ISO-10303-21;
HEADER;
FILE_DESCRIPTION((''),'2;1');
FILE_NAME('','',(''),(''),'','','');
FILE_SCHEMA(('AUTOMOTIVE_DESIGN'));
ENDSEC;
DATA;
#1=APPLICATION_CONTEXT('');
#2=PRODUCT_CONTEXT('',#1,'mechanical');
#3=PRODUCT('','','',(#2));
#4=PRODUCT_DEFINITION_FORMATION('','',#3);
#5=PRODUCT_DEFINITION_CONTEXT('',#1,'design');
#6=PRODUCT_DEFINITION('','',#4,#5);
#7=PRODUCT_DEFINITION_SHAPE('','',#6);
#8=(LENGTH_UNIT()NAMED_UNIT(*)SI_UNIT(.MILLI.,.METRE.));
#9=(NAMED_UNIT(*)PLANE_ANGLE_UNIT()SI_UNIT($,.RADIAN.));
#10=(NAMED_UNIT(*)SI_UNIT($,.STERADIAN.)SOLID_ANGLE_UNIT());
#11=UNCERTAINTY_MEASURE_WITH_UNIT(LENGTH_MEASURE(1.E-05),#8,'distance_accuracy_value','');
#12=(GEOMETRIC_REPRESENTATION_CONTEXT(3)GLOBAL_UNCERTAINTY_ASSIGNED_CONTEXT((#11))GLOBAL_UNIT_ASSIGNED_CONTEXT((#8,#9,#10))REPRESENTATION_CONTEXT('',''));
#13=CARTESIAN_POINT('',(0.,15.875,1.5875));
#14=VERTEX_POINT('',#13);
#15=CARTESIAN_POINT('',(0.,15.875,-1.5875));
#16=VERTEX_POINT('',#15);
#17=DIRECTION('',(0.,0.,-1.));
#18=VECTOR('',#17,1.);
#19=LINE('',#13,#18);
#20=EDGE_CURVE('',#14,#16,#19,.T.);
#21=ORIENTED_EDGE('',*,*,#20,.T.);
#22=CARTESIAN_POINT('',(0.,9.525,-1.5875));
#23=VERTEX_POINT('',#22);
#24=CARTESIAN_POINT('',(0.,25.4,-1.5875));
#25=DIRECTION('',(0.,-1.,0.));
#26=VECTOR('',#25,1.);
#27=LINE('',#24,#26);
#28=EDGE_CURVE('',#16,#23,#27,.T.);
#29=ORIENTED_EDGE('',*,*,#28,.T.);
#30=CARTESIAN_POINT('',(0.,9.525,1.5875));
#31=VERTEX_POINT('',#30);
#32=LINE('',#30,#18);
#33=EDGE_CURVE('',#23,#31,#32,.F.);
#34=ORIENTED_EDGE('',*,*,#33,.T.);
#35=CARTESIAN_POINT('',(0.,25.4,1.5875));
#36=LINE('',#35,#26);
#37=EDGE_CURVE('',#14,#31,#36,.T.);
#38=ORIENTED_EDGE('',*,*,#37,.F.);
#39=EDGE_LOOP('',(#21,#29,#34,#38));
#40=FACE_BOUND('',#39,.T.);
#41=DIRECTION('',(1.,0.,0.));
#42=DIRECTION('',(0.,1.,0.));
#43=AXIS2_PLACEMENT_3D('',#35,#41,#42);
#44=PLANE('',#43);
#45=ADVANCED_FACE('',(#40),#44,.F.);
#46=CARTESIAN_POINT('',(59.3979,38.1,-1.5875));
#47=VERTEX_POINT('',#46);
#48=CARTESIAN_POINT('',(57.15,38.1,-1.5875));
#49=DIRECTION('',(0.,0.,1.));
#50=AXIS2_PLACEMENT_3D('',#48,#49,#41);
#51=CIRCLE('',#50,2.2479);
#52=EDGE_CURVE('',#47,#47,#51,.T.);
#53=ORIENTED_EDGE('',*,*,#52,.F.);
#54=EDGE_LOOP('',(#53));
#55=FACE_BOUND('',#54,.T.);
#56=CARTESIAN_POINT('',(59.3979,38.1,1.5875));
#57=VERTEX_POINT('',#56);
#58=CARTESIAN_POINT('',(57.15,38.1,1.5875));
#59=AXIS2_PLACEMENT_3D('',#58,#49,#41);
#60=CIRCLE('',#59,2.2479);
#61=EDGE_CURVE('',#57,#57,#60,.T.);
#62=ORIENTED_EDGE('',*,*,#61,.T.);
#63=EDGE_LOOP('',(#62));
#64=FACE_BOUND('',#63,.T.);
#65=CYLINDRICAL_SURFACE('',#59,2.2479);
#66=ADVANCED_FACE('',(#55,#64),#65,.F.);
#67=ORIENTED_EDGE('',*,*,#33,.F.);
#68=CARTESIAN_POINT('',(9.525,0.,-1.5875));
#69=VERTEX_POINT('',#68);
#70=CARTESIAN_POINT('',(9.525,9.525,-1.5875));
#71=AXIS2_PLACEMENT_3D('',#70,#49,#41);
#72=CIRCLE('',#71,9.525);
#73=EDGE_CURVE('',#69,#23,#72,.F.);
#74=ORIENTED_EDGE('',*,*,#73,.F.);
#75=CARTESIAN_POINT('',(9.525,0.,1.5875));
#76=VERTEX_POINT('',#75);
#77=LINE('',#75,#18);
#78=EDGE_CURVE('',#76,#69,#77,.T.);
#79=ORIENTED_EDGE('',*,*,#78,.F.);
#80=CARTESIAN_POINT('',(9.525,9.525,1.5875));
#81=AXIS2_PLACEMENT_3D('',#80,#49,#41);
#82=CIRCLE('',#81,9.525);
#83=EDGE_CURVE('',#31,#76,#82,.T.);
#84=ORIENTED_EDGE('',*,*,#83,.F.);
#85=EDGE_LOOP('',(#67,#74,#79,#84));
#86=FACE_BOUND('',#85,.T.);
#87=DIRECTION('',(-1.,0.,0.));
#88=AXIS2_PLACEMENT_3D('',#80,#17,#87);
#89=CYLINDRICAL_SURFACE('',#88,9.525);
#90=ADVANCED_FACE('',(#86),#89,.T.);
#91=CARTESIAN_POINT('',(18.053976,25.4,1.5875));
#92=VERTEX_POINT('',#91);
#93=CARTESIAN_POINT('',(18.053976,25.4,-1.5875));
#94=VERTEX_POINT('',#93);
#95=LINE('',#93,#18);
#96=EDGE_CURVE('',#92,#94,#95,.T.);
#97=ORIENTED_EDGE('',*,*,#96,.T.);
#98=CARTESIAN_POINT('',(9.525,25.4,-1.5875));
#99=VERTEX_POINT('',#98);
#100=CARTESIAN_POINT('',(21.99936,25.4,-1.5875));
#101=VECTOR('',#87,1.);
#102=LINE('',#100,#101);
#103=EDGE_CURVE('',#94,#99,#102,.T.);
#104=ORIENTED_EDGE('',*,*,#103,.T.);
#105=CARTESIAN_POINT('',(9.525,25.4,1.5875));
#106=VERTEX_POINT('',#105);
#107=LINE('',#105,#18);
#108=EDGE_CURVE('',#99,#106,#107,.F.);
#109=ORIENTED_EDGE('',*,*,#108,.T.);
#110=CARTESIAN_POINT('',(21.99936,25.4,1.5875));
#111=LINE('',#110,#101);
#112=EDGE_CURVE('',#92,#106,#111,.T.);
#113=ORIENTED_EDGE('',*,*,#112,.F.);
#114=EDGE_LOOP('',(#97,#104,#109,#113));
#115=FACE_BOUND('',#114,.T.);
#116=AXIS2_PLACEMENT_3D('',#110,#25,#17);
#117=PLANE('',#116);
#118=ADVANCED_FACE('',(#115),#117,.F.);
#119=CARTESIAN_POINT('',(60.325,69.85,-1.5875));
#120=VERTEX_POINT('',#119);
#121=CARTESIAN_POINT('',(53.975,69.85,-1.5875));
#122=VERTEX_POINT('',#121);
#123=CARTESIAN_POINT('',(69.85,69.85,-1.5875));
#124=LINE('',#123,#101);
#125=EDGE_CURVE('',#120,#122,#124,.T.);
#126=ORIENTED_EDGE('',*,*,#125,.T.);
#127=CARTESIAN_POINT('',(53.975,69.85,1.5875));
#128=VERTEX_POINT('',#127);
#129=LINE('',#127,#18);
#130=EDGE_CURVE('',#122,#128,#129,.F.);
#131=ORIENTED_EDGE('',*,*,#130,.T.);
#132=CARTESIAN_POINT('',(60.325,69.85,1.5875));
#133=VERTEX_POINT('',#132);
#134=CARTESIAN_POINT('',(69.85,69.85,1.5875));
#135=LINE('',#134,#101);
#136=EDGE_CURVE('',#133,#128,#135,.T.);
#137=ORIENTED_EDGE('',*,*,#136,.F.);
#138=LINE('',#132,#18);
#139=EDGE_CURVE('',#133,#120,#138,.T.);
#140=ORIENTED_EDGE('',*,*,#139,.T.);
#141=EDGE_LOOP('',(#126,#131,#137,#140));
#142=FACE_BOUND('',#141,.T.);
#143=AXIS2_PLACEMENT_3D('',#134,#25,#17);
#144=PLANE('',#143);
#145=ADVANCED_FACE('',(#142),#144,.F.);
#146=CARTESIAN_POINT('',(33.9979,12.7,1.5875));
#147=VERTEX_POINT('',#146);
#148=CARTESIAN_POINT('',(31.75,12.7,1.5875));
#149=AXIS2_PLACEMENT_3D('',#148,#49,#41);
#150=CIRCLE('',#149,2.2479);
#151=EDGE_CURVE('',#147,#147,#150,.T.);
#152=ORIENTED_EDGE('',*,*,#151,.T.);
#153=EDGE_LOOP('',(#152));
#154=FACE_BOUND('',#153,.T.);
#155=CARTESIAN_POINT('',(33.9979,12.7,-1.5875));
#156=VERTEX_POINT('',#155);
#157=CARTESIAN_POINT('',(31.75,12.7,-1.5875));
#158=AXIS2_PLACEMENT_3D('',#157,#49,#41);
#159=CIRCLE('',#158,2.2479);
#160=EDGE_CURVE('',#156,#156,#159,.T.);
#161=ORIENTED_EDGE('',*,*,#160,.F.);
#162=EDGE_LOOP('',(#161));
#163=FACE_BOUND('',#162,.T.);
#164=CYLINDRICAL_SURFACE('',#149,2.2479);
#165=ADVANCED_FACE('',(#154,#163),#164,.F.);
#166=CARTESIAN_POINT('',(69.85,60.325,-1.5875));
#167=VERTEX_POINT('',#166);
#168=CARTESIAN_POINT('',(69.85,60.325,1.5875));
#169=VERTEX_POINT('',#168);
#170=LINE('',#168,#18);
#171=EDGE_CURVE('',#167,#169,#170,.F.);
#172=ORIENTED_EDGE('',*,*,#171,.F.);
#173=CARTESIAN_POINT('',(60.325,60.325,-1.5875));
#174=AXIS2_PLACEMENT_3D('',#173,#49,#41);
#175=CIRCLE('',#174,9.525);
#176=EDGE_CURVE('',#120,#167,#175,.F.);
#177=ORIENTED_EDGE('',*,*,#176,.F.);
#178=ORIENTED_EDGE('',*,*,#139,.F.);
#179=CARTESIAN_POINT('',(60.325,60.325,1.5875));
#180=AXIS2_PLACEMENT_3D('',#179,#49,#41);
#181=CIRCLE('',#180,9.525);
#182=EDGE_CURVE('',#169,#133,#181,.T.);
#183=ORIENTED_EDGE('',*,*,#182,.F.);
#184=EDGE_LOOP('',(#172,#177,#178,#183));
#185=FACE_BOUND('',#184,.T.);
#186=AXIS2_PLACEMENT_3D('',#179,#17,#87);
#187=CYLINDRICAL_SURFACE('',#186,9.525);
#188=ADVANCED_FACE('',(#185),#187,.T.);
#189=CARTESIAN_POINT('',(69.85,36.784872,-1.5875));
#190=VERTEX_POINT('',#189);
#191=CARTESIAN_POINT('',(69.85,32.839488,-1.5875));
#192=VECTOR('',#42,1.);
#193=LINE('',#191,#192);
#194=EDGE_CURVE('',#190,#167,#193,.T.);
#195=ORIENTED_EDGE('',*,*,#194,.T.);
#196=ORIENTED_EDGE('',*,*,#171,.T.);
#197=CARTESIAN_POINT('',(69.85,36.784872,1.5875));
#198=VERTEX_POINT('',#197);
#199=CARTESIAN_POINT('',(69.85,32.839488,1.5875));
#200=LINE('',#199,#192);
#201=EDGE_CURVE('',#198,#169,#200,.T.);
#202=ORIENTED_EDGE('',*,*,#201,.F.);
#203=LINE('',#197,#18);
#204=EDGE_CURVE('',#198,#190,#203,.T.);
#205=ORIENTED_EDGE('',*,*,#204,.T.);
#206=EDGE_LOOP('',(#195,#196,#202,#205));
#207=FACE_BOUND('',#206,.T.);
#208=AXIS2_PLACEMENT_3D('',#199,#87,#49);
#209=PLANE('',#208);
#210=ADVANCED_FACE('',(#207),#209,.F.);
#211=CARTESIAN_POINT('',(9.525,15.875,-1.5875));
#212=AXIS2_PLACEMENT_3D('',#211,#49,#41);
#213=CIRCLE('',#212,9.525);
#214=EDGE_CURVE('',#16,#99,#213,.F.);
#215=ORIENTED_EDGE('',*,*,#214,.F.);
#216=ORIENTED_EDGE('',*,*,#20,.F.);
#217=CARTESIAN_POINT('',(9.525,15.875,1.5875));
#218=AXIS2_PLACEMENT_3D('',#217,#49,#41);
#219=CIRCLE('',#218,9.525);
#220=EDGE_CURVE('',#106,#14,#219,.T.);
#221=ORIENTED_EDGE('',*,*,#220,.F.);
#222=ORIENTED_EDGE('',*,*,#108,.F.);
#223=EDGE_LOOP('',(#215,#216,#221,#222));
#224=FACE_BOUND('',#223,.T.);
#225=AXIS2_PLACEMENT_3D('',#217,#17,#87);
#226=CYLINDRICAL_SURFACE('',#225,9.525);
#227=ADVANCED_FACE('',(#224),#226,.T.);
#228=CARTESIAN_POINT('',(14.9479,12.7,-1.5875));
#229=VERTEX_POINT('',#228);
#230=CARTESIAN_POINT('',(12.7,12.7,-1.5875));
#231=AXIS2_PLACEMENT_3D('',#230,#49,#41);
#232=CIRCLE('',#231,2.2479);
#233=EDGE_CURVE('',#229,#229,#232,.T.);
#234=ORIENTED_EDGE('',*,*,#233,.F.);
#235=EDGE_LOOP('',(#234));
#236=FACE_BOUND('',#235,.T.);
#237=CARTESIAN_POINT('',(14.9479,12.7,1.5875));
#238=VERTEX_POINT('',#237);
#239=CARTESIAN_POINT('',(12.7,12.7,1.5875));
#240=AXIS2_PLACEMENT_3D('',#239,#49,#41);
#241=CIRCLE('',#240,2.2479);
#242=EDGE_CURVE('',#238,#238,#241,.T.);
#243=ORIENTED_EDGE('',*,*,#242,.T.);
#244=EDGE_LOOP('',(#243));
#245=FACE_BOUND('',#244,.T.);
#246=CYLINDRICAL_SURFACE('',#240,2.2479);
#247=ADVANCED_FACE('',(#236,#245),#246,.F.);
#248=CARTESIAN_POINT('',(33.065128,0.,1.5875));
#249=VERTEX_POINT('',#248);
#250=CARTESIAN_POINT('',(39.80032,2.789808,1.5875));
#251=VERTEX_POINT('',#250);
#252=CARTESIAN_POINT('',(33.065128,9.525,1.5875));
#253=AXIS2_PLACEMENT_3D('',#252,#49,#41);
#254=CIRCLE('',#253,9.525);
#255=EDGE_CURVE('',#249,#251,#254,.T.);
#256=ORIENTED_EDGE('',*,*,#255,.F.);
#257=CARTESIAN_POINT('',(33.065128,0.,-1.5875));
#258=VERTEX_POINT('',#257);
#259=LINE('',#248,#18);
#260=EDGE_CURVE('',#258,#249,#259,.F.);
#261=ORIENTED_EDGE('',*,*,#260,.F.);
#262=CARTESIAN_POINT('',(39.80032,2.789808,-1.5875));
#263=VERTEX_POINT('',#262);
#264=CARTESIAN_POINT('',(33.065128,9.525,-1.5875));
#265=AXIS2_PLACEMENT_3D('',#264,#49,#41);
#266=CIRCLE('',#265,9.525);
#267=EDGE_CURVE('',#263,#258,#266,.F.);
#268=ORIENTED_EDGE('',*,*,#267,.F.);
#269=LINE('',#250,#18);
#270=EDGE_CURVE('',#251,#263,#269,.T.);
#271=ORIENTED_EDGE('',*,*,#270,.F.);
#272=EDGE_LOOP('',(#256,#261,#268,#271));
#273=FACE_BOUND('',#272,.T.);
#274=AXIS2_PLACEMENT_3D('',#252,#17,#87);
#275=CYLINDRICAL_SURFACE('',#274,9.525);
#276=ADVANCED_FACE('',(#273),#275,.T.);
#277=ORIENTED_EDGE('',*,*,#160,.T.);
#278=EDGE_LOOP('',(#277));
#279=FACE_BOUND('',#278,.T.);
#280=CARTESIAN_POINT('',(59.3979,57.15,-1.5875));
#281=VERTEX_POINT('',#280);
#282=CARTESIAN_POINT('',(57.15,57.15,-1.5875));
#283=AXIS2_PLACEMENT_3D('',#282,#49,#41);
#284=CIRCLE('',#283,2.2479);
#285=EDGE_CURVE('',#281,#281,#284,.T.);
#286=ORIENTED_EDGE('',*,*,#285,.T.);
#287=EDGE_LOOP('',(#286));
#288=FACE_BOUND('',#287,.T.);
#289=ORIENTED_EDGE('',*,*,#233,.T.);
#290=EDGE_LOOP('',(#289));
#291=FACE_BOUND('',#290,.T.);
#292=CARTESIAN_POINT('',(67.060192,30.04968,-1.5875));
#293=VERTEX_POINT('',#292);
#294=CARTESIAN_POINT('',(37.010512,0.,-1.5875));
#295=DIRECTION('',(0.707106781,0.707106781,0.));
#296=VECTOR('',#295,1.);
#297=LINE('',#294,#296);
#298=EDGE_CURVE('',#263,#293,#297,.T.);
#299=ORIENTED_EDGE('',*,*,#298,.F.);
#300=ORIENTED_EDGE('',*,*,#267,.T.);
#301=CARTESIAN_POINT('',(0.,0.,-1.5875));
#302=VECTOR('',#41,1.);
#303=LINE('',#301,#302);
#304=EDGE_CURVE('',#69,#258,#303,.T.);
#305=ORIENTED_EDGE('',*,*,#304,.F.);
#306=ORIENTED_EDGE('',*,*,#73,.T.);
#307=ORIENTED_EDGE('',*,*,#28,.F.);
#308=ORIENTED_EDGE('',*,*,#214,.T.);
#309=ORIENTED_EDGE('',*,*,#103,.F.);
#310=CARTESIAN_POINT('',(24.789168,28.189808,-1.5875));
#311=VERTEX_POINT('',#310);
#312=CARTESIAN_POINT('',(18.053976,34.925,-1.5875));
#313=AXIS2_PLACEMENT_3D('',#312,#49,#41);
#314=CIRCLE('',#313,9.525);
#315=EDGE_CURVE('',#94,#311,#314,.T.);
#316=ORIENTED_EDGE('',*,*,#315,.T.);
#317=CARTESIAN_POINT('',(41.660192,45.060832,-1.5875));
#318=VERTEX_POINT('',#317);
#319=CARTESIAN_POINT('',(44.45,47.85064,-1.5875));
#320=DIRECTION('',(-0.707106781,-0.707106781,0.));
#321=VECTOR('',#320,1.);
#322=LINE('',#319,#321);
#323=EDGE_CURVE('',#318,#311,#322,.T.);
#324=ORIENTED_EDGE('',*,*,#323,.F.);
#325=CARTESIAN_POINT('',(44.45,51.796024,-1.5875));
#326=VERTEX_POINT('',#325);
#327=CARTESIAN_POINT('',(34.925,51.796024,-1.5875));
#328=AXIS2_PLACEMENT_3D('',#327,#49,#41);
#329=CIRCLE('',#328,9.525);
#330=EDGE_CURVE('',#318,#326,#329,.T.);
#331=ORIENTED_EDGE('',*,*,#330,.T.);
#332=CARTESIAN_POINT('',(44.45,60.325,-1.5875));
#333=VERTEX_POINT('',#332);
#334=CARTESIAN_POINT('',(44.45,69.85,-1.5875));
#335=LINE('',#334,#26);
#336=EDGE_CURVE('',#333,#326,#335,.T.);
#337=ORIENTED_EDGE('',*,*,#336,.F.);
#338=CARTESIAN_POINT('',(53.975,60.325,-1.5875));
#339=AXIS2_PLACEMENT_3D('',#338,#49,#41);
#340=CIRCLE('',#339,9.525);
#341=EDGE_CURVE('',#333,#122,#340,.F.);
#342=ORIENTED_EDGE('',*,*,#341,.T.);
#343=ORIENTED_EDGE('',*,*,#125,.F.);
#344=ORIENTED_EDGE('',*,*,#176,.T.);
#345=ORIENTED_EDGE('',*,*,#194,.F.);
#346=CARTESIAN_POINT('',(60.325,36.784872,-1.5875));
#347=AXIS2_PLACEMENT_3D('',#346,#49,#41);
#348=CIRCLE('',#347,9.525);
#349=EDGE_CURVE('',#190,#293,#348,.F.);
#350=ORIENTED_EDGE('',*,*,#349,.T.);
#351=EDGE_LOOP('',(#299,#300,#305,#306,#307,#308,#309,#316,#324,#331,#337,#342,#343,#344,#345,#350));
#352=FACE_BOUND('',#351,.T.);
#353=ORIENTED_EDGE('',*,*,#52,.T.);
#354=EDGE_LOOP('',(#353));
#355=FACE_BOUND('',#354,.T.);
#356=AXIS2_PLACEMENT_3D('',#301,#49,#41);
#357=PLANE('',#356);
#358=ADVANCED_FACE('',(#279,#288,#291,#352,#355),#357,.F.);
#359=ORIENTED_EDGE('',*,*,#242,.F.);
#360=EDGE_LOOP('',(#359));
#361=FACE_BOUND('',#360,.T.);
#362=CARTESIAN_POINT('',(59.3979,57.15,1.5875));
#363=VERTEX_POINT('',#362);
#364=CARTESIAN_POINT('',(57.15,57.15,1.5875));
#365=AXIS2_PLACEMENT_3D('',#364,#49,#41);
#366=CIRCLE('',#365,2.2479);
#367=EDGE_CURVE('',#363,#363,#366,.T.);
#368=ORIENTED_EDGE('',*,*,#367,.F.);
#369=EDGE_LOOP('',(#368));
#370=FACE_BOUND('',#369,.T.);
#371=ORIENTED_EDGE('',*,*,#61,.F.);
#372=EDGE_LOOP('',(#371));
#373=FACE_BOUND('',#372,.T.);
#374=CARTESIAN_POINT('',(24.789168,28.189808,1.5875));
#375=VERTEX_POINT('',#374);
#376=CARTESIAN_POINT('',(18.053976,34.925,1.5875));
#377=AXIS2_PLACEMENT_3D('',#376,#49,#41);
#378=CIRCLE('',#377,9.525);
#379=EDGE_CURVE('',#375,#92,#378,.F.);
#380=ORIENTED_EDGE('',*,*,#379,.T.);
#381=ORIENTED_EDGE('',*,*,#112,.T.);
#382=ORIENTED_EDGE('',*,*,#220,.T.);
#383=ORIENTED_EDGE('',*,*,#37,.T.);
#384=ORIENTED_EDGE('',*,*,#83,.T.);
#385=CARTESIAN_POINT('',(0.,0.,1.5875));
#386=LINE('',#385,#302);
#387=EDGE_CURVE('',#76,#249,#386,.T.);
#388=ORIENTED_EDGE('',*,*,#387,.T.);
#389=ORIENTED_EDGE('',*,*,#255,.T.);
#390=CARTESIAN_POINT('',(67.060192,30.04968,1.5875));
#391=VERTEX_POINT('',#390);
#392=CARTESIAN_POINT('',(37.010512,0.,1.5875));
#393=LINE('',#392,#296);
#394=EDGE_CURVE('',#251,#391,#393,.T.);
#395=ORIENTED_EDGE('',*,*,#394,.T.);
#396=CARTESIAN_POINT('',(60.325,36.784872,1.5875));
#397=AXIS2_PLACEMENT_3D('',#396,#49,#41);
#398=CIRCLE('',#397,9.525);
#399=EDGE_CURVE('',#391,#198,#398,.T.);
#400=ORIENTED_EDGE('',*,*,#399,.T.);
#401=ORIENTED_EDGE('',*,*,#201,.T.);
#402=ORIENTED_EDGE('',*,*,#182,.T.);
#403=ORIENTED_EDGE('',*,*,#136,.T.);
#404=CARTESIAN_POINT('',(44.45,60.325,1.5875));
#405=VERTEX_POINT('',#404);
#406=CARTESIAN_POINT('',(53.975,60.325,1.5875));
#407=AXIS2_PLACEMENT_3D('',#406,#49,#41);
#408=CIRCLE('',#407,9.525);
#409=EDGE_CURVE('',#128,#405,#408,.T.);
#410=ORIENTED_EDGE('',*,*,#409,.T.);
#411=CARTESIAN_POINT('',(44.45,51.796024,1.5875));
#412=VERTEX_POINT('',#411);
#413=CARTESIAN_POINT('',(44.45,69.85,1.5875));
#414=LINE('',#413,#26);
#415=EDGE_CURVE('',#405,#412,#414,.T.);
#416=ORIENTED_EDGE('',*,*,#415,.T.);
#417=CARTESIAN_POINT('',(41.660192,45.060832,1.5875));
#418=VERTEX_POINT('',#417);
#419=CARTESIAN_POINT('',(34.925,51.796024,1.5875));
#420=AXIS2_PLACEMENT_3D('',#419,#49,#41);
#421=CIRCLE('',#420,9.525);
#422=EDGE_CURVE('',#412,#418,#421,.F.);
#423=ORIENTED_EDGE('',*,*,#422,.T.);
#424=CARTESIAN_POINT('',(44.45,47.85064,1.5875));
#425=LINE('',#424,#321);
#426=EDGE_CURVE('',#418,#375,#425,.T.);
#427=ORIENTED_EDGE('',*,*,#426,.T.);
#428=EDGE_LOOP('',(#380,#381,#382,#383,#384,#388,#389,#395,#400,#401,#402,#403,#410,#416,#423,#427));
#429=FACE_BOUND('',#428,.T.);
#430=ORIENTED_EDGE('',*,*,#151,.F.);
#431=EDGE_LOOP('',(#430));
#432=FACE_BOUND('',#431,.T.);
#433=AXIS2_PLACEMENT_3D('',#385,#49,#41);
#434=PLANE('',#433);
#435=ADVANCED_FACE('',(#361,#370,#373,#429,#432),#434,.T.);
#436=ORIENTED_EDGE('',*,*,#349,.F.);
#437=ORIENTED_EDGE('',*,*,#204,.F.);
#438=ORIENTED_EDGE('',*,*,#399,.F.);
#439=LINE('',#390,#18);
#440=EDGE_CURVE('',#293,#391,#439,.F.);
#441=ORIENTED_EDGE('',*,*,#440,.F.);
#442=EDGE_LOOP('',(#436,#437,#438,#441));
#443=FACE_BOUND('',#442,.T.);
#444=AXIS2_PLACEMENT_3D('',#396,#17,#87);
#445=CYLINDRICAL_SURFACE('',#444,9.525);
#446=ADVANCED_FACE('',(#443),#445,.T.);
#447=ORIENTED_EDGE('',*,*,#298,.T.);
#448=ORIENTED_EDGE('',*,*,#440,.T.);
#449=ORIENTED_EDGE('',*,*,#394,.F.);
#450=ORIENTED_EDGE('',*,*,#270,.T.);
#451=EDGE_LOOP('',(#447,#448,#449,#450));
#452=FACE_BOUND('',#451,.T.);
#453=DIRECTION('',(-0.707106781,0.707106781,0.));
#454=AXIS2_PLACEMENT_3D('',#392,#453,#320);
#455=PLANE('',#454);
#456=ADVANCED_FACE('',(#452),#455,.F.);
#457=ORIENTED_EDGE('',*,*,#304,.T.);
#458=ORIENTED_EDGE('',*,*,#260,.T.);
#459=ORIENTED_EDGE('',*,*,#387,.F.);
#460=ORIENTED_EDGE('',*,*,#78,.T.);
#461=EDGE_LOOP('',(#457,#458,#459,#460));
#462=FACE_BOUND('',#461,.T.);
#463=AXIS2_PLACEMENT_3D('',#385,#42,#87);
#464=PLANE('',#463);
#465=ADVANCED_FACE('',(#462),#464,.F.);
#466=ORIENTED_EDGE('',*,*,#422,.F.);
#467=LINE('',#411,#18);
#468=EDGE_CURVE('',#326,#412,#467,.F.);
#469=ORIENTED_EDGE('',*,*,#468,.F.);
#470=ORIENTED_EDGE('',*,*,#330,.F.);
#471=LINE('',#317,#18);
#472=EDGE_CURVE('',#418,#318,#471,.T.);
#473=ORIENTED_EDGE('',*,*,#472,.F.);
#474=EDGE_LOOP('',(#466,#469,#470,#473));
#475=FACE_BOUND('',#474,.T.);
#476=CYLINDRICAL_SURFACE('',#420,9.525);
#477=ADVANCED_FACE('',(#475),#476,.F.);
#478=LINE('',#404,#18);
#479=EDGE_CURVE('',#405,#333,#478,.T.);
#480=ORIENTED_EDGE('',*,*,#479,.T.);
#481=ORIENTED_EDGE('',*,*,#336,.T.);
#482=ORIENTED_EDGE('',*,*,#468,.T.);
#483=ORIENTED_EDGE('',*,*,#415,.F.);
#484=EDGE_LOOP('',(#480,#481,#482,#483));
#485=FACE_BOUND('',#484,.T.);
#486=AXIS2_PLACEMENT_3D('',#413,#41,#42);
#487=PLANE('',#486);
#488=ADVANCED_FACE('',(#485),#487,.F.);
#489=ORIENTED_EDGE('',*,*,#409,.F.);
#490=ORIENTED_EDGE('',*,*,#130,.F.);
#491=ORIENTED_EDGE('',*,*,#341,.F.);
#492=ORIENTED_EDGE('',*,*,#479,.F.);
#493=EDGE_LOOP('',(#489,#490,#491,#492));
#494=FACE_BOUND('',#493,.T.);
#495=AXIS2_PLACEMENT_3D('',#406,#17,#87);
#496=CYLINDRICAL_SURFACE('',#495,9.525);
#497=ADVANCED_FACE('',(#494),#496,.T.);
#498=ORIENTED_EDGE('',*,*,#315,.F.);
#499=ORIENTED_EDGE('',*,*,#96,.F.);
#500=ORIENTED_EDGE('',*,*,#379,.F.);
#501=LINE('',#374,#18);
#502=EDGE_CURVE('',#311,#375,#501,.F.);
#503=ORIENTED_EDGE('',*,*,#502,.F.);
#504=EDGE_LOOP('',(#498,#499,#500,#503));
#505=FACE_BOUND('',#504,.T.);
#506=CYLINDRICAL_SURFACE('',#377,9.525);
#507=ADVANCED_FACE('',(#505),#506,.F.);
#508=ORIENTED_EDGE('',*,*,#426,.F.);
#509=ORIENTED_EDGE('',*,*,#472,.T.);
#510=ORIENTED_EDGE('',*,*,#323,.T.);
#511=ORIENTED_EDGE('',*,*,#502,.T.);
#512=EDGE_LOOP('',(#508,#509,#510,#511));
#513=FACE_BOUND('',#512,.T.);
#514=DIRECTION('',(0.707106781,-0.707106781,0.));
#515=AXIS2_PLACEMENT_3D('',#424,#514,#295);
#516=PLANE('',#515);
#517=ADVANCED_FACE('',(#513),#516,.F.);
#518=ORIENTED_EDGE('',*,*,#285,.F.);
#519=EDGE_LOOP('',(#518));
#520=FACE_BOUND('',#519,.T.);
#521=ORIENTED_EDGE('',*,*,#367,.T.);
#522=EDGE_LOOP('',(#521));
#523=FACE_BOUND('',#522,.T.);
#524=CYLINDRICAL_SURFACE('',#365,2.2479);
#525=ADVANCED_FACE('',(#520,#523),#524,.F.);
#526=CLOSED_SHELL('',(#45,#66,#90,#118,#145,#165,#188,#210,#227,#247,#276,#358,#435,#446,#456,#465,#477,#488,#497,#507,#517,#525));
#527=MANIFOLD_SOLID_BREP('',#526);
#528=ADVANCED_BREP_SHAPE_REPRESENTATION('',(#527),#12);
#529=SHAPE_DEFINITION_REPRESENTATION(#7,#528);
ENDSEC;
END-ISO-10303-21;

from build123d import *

# Parameters (mm, degrees)
BOSS_EXTRUDE1_DEPTH   = 1.5875
FILLET1_R             = 9.525
F_8_CLEARANCE_HOLE1_D = 4.4958


with BuildPart() as part:
    # Sketch2 → Boss-Extrude1 (new, symmetric)
    with BuildSketch(Plane.XY):
        Polygon((37.010512242, 0), (69.85, 32.839487758), (69.85, 69.85), (44.45, 69.85), (44.45, 47.850640303), (21.999359697, 25.4), (0, 25.4), (0, 0), align=None)
    extrude(amount=BOSS_EXTRUDE1_DEPTH, both=True)

    # Fillet1
    fillet1_edges = [part.edges().sort_by_distance(p)[0] for p in [
        (69.85, 32.839487758, 0),
        (37.010512242, 0, 0),
        (0, 0, 0),
        (0, 25.4, 0),
        (21.999359697, 25.4, 0),
        (44.45, 47.850640303, 0),
        (44.45, 69.85, 0),
        (69.85, 69.85, 0),
    ]]
    fillet(fillet1_edges, radius=FILLET1_R)

    # #8 Clearance Hole1 (through all)
    with Locations(Plane.XY.offset(1.5875)):
        with Locations((12.7, 12.7), (31.75, 12.7), (57.15, 38.1), (57.15, 57.15)):
            Hole(F_8_CLEARANCE_HOLE1_D / 2)


solid = part.part
